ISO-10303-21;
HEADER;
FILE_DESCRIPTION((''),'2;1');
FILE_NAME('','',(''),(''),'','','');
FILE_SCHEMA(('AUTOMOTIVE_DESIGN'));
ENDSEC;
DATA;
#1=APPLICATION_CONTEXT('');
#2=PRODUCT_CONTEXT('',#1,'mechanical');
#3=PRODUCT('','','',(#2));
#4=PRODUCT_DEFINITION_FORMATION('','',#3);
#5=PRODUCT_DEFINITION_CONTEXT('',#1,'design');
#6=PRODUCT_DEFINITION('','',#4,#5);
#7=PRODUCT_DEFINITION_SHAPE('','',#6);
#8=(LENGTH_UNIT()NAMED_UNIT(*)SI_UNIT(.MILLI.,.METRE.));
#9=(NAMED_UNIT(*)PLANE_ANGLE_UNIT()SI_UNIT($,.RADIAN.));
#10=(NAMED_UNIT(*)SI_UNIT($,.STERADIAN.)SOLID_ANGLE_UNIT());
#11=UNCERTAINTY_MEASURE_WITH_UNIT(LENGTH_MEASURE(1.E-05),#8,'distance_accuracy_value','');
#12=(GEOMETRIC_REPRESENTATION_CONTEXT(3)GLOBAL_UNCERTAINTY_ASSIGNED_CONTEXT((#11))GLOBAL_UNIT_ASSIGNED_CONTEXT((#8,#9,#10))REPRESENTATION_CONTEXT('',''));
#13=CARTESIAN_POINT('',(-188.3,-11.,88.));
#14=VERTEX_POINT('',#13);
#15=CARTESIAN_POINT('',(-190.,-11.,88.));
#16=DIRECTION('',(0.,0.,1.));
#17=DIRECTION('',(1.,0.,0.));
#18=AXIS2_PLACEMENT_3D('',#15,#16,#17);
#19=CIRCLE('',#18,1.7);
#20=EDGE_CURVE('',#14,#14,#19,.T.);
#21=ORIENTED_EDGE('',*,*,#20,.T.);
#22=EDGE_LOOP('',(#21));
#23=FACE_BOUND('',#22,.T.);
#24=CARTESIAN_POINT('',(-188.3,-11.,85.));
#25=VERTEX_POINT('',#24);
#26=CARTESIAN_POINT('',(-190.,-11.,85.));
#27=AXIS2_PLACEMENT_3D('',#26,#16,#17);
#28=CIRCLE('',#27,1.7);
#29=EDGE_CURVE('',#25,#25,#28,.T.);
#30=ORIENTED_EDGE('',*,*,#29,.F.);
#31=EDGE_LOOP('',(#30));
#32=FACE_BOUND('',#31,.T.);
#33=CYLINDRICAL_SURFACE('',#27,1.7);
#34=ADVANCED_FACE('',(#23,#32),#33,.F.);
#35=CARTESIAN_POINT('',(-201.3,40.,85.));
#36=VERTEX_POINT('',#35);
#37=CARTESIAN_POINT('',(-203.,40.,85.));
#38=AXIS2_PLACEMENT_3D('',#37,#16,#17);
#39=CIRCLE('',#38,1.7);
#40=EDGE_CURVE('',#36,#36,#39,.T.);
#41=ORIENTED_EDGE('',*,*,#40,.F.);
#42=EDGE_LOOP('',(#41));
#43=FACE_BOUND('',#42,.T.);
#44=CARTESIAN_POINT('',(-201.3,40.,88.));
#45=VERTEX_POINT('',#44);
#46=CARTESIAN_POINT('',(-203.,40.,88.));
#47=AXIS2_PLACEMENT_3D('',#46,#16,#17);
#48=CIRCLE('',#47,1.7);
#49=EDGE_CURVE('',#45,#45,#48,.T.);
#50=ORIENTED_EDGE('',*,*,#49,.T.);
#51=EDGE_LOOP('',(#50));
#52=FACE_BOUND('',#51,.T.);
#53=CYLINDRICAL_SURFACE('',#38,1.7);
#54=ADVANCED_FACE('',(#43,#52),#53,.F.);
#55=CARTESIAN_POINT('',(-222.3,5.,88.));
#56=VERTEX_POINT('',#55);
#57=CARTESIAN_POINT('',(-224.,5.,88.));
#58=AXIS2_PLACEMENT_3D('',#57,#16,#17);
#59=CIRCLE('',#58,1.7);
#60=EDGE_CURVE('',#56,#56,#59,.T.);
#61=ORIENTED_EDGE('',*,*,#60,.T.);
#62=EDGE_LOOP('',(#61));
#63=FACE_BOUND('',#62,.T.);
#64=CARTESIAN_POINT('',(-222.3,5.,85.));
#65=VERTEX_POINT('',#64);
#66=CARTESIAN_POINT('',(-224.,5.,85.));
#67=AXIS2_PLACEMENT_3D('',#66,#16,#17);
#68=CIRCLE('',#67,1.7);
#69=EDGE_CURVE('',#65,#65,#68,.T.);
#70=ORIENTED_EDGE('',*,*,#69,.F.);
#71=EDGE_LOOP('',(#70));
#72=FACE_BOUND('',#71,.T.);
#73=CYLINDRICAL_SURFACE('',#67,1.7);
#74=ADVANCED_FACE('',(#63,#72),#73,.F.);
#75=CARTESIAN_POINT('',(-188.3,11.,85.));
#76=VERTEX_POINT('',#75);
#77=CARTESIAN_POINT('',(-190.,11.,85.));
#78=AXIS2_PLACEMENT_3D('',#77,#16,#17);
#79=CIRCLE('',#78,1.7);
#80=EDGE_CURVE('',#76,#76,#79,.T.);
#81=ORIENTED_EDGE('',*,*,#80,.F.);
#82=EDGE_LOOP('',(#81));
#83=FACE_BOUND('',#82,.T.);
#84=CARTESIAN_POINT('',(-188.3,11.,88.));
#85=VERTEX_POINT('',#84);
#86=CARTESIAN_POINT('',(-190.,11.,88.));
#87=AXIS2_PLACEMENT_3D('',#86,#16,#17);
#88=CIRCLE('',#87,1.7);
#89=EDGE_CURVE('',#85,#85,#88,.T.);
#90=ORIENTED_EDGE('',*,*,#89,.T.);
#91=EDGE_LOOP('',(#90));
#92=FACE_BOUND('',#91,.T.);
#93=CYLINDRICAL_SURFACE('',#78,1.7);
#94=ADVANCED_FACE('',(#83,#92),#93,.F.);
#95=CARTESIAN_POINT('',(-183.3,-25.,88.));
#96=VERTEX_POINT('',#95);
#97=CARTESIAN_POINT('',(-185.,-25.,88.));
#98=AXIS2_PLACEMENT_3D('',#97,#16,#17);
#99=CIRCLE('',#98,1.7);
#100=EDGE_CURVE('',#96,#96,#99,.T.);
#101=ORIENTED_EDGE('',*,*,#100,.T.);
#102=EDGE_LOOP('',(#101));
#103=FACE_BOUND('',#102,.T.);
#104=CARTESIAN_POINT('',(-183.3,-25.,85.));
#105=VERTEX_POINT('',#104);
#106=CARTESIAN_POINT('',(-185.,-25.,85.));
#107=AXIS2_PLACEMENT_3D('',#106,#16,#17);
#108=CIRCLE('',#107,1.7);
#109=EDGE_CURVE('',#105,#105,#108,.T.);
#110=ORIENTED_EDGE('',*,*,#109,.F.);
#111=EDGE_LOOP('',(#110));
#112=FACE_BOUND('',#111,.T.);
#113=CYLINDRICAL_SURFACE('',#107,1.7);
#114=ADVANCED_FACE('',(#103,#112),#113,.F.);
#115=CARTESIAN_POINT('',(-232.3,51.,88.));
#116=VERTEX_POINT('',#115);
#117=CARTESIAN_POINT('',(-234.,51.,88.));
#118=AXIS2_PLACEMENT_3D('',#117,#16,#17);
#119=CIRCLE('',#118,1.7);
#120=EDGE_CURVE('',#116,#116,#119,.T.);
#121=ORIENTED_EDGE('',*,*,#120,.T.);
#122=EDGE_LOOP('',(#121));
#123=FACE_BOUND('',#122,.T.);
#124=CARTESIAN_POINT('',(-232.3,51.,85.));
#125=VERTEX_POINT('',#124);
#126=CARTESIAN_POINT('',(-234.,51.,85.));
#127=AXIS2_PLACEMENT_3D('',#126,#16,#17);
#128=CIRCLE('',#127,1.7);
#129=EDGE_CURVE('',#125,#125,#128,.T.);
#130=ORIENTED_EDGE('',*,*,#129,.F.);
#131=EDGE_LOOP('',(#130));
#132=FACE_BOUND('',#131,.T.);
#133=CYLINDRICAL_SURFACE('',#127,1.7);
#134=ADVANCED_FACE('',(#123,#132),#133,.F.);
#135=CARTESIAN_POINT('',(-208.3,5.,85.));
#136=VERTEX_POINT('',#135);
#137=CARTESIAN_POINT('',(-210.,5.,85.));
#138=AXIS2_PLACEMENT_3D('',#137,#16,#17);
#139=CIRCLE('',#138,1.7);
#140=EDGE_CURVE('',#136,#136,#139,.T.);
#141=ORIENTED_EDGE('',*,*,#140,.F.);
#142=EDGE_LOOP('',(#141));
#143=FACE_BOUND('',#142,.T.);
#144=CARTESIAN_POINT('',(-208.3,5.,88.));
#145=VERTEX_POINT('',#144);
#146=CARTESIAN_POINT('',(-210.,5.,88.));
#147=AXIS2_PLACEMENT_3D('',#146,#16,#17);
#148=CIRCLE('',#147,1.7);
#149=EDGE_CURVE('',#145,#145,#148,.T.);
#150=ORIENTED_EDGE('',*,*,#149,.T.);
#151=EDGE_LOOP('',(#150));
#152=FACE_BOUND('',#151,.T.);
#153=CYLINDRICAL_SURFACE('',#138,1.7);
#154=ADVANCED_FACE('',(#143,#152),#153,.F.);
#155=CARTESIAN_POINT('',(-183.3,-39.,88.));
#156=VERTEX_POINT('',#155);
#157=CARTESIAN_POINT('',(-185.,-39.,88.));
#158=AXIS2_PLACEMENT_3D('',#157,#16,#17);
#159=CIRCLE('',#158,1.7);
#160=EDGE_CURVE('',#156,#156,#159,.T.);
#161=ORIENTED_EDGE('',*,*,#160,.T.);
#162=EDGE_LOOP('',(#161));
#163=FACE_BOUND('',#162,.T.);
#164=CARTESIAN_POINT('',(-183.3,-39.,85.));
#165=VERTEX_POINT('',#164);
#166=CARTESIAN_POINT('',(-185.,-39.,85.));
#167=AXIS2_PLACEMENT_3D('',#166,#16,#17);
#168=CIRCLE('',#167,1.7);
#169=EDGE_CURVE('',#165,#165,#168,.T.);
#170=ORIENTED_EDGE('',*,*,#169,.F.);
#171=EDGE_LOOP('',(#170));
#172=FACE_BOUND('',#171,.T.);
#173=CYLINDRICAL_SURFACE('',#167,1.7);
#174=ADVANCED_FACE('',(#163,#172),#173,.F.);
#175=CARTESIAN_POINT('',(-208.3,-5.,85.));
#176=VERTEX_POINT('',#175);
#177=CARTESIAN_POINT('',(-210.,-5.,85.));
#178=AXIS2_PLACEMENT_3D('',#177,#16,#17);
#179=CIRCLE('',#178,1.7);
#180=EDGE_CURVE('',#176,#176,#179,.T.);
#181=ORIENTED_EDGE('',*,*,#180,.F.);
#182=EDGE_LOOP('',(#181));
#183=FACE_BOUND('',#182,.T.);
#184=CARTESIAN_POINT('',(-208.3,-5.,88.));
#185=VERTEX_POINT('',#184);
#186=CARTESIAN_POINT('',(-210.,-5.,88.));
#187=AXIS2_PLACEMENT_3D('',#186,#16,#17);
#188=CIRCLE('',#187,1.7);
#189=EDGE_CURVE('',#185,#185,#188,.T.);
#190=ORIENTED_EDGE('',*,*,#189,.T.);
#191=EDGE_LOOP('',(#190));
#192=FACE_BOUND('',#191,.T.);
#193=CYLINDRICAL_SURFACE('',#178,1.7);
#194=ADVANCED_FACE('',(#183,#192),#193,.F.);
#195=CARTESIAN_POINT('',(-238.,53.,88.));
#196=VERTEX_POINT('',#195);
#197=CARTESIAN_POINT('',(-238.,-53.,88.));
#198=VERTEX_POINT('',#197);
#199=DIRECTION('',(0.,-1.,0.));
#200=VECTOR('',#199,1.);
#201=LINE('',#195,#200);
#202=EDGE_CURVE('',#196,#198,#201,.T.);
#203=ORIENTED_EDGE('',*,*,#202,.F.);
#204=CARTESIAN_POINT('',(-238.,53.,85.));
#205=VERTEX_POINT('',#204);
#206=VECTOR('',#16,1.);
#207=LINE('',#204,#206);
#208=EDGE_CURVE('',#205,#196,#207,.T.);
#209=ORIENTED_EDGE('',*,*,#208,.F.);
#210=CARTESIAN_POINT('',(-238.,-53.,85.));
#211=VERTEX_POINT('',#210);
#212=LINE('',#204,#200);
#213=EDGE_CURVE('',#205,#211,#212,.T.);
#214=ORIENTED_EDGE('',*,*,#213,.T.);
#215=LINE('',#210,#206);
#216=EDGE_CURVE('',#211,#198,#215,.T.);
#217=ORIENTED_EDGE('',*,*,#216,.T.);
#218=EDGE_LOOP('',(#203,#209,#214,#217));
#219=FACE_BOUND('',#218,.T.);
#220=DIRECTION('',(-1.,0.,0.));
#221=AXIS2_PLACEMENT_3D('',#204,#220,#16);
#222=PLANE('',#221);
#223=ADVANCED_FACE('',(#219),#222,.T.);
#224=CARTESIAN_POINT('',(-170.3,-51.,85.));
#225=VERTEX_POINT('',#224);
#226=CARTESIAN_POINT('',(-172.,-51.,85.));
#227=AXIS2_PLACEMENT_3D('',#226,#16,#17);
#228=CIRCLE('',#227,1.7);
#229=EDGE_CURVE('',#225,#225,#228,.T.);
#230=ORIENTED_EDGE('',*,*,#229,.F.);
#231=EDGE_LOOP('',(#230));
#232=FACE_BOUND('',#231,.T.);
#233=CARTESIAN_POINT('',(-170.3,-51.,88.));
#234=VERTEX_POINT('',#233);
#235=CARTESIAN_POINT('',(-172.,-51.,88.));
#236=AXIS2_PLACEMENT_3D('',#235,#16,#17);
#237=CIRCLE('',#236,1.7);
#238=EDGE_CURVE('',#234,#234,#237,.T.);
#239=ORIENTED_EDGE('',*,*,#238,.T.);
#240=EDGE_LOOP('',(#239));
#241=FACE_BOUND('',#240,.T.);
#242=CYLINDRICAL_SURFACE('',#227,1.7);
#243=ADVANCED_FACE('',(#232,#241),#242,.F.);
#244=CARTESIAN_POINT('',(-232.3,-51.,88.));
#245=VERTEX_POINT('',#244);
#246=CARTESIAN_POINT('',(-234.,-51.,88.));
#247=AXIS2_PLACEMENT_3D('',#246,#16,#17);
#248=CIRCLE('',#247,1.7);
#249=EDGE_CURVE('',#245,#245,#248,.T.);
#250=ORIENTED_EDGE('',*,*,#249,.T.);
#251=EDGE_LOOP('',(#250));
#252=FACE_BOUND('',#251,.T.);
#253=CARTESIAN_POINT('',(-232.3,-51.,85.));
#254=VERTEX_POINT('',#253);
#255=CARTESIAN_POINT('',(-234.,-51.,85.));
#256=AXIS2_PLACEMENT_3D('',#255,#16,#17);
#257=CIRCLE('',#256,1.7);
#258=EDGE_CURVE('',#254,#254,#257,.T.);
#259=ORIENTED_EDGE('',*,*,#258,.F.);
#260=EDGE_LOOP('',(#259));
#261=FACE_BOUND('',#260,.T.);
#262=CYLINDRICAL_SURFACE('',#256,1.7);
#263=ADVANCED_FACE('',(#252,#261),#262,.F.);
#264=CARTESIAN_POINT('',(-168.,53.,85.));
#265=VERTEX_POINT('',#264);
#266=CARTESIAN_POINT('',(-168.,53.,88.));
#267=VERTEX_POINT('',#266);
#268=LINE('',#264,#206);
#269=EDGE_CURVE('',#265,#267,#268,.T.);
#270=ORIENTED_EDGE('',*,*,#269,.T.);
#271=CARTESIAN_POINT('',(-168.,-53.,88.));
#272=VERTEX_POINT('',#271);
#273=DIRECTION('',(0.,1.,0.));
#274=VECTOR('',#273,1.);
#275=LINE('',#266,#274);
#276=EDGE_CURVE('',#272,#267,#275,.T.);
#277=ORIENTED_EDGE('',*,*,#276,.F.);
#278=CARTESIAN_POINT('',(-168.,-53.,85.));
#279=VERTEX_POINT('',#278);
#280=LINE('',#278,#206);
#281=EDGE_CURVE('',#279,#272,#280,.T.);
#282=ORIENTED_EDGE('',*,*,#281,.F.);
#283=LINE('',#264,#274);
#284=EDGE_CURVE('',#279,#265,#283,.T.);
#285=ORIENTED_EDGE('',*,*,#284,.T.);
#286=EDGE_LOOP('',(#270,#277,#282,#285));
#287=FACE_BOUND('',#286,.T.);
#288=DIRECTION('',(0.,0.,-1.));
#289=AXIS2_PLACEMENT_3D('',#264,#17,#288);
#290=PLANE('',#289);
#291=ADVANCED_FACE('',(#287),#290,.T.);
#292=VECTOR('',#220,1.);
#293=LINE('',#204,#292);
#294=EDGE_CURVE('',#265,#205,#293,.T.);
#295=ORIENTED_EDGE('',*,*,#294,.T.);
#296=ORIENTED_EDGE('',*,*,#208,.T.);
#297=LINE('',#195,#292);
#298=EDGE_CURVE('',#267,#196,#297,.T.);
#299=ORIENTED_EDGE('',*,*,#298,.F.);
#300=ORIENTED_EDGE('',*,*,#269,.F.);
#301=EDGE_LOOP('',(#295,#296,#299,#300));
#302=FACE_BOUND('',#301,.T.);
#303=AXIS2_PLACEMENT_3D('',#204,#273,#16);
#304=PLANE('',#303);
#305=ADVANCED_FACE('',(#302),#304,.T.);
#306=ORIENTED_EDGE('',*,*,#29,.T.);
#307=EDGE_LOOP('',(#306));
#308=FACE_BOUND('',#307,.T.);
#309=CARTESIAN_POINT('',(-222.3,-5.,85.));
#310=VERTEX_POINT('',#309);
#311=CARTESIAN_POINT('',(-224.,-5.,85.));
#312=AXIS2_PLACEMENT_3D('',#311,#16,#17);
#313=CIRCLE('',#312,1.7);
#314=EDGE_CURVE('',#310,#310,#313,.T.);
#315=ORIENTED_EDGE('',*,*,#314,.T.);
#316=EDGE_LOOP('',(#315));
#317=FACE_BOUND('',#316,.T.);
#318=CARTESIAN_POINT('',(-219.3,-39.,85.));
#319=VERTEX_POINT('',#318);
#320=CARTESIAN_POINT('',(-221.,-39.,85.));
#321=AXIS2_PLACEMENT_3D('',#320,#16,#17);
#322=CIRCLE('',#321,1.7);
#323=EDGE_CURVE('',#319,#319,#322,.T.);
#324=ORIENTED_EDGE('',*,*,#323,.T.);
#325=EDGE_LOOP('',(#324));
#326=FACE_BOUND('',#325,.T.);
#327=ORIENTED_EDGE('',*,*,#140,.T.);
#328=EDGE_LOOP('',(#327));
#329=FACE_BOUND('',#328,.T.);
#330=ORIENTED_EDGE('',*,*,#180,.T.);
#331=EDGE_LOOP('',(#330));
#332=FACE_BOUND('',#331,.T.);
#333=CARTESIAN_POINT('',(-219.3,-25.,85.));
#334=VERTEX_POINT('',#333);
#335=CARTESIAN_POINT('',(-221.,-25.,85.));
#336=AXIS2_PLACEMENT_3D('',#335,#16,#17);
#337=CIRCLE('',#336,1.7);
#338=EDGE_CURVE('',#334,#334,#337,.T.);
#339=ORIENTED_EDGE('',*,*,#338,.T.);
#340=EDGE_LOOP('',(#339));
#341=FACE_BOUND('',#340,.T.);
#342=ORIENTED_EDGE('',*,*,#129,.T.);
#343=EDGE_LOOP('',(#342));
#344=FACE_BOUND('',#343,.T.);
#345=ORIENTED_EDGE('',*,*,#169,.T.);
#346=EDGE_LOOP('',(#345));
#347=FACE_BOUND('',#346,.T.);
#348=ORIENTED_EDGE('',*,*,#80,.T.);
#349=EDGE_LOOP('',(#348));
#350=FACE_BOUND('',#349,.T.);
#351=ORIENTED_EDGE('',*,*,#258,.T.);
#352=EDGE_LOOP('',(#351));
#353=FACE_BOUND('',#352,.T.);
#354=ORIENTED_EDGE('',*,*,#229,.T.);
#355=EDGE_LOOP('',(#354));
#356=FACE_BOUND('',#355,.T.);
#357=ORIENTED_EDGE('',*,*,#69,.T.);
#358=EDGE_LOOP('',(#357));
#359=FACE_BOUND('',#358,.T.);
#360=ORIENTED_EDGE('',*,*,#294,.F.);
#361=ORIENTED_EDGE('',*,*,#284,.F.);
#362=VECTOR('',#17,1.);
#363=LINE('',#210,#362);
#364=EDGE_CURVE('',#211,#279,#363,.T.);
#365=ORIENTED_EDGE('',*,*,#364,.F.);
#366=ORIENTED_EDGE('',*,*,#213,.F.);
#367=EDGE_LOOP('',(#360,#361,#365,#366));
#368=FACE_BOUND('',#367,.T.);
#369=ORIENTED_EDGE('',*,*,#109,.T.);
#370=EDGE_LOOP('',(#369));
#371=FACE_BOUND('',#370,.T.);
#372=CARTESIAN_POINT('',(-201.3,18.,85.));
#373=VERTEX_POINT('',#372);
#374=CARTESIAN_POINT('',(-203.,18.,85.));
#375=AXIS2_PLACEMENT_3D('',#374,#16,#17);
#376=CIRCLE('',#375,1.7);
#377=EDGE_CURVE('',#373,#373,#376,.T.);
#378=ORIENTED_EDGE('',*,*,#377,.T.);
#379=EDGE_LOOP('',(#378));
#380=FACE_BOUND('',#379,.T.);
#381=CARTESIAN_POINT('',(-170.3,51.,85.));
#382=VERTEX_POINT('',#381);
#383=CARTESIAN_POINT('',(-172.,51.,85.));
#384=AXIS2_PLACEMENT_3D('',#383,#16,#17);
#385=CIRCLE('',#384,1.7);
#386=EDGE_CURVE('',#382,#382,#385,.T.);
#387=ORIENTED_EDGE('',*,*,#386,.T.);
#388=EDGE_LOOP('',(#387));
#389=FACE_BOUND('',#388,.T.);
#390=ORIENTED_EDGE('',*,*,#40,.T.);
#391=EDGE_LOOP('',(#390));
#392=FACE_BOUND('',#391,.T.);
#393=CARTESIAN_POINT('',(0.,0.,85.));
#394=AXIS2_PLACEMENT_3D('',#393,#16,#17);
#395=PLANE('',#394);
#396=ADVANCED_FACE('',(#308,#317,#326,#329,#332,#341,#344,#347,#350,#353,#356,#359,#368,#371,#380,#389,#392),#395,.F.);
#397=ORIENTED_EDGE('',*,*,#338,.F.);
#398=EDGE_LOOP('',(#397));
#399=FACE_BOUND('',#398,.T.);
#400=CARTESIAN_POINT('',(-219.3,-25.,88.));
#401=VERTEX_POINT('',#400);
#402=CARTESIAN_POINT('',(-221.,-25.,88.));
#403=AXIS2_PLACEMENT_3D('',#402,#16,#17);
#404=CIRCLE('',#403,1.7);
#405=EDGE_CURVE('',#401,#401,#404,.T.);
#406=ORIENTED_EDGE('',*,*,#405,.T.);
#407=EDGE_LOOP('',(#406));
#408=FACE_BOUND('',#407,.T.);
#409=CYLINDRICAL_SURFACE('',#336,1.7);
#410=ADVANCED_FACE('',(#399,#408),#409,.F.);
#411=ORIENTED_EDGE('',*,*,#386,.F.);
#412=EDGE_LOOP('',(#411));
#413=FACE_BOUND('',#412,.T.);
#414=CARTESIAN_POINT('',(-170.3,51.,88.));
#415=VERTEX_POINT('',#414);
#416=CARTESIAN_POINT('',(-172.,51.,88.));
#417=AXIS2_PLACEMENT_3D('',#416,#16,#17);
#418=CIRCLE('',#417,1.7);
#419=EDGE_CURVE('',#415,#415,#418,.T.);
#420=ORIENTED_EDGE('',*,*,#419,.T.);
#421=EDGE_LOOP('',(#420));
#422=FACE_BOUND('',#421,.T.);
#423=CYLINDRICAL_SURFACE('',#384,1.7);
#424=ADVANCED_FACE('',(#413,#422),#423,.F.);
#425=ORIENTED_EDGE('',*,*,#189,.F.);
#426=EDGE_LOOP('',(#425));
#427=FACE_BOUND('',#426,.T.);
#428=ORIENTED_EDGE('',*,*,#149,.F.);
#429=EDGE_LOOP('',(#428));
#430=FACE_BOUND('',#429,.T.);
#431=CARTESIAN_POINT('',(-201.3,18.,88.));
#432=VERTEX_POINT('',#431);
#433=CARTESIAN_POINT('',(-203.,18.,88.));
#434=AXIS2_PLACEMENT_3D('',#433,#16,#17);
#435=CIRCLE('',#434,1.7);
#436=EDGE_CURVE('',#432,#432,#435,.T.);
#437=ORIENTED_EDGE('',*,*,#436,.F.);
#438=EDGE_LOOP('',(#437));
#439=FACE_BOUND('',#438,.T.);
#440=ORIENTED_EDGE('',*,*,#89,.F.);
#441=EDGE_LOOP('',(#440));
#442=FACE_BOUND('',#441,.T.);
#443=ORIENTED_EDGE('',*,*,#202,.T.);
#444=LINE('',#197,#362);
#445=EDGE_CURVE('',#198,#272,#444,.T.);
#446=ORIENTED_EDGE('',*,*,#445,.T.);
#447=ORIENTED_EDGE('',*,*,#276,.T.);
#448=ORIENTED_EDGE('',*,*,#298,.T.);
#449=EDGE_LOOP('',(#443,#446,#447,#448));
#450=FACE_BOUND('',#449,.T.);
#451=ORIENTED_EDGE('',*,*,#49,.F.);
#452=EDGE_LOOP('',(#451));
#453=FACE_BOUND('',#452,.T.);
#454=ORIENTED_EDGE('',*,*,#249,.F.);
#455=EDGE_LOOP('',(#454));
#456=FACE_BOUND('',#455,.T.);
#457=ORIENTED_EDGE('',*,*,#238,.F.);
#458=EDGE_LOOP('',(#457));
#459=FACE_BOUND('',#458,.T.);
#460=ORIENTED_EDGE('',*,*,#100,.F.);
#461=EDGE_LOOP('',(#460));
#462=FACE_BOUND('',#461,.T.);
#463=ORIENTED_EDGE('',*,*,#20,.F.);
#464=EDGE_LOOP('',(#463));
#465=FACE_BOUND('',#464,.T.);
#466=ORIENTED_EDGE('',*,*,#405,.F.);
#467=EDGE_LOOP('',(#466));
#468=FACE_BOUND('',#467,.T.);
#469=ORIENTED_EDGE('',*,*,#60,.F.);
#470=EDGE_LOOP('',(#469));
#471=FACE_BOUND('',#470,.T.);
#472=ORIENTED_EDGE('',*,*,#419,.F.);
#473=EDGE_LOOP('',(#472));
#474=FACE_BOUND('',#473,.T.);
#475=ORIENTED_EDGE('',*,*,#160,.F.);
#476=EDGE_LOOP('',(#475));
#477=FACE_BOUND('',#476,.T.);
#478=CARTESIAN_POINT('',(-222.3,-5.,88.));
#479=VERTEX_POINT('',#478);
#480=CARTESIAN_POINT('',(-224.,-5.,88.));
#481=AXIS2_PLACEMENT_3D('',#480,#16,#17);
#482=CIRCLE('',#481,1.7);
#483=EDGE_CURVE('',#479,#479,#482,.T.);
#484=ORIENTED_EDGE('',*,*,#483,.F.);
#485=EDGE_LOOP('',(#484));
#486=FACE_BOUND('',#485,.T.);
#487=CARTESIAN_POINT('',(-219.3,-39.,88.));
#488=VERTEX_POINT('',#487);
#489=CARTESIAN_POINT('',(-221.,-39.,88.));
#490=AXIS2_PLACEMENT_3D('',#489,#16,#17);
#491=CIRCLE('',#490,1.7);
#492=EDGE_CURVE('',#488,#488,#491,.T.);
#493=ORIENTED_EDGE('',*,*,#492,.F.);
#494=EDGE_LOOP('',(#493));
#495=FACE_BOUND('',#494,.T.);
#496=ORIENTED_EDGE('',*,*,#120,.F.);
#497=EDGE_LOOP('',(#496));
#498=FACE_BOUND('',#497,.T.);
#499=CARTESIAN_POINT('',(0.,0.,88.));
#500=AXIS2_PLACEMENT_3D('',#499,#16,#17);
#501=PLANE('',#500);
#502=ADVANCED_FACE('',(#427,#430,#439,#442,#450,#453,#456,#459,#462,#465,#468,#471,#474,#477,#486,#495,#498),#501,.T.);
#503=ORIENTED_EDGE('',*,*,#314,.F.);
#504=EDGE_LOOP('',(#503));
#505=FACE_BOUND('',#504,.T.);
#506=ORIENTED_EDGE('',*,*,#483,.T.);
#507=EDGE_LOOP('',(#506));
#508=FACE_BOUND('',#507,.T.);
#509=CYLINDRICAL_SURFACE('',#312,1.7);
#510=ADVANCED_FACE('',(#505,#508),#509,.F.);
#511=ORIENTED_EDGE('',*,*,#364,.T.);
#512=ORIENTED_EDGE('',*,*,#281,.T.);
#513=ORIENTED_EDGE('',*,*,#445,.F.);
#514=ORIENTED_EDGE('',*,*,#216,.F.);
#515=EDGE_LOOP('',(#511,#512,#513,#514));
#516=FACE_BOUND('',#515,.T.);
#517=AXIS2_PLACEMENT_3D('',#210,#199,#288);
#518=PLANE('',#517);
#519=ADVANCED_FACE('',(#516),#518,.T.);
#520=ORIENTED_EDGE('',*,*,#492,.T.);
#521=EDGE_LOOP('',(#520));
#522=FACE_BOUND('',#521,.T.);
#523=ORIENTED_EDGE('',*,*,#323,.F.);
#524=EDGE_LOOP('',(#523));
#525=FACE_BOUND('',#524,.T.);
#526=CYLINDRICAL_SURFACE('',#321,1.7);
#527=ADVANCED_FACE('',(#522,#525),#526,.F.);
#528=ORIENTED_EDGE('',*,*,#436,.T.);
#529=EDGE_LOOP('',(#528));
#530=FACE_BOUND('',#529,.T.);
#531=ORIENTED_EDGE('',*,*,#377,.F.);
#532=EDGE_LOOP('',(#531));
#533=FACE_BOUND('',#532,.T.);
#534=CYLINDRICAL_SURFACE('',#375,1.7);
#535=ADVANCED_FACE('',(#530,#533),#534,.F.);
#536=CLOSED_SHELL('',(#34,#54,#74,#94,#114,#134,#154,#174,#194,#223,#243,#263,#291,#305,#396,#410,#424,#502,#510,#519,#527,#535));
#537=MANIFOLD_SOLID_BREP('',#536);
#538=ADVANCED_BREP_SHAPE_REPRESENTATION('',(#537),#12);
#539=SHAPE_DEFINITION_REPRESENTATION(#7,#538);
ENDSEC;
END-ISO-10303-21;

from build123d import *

# Parameters (mm, degrees)
MAIN_PROFILE_SKETCH_W = 70
MAIN_PROFILE_SKETCH_H = 106
MAIN_PROFILE_SKETCH_R = 1.7
MAIN_EXTRUSION_DEPTH  = 3


with BuildPart() as part:
    # Main Profile Sketch → Main Extrusion (new body)
    with BuildSketch(Plane.XY.offset(88)):
        with Locations((-203, 0)):
            Rectangle(MAIN_PROFILE_SKETCH_W, MAIN_PROFILE_SKETCH_H)
        with Locations((-234, -51)):
            Circle(MAIN_PROFILE_SKETCH_R, mode=Mode.SUBTRACT)
        with Locations((-221, -39)):
            Circle(MAIN_PROFILE_SKETCH_R, mode=Mode.SUBTRACT)
        with Locations((-221, -25)):
            Circle(MAIN_PROFILE_SKETCH_R, mode=Mode.SUBTRACT)
        with Locations((-224, -5)):
            Circle(MAIN_PROFILE_SKETCH_R, mode=Mode.SUBTRACT)
        with Locations((-210, -5)):
            Circle(MAIN_PROFILE_SKETCH_R, mode=Mode.SUBTRACT)
        with Locations((-172, -51)):
            Circle(MAIN_PROFILE_SKETCH_R, mode=Mode.SUBTRACT)
        with Locations((-185, -39)):
            Circle(MAIN_PROFILE_SKETCH_R, mode=Mode.SUBTRACT)
        with Locations((-190, -11)):
            Circle(MAIN_PROFILE_SKETCH_R, mode=Mode.SUBTRACT)
        with Locations((-185, -25)):
            Circle(MAIN_PROFILE_SKETCH_R, mode=Mode.SUBTRACT)
        with Locations((-224, 5)):
            Circle(MAIN_PROFILE_SKETCH_R, mode=Mode.SUBTRACT)
        with Locations((-210, 5)):
            Circle(MAIN_PROFILE_SKETCH_R, mode=Mode.SUBTRACT)
        with Locations((-234, 51)):
            Circle(MAIN_PROFILE_SKETCH_R, mode=Mode.SUBTRACT)
        with Locations((-190, 11)):
            Circle(MAIN_PROFILE_SKETCH_R, mode=Mode.SUBTRACT)
        with Locations((-203, 18)):
            Circle(MAIN_PROFILE_SKETCH_R, mode=Mode.SUBTRACT)
        with Locations((-203, 40)):
            Circle(MAIN_PROFILE_SKETCH_R, mode=Mode.SUBTRACT)
        with Locations((-172, 51)):
            Circle(MAIN_PROFILE_SKETCH_R, mode=Mode.SUBTRACT)
    extrude(amount=-MAIN_EXTRUSION_DEPTH)


solid = part.part
